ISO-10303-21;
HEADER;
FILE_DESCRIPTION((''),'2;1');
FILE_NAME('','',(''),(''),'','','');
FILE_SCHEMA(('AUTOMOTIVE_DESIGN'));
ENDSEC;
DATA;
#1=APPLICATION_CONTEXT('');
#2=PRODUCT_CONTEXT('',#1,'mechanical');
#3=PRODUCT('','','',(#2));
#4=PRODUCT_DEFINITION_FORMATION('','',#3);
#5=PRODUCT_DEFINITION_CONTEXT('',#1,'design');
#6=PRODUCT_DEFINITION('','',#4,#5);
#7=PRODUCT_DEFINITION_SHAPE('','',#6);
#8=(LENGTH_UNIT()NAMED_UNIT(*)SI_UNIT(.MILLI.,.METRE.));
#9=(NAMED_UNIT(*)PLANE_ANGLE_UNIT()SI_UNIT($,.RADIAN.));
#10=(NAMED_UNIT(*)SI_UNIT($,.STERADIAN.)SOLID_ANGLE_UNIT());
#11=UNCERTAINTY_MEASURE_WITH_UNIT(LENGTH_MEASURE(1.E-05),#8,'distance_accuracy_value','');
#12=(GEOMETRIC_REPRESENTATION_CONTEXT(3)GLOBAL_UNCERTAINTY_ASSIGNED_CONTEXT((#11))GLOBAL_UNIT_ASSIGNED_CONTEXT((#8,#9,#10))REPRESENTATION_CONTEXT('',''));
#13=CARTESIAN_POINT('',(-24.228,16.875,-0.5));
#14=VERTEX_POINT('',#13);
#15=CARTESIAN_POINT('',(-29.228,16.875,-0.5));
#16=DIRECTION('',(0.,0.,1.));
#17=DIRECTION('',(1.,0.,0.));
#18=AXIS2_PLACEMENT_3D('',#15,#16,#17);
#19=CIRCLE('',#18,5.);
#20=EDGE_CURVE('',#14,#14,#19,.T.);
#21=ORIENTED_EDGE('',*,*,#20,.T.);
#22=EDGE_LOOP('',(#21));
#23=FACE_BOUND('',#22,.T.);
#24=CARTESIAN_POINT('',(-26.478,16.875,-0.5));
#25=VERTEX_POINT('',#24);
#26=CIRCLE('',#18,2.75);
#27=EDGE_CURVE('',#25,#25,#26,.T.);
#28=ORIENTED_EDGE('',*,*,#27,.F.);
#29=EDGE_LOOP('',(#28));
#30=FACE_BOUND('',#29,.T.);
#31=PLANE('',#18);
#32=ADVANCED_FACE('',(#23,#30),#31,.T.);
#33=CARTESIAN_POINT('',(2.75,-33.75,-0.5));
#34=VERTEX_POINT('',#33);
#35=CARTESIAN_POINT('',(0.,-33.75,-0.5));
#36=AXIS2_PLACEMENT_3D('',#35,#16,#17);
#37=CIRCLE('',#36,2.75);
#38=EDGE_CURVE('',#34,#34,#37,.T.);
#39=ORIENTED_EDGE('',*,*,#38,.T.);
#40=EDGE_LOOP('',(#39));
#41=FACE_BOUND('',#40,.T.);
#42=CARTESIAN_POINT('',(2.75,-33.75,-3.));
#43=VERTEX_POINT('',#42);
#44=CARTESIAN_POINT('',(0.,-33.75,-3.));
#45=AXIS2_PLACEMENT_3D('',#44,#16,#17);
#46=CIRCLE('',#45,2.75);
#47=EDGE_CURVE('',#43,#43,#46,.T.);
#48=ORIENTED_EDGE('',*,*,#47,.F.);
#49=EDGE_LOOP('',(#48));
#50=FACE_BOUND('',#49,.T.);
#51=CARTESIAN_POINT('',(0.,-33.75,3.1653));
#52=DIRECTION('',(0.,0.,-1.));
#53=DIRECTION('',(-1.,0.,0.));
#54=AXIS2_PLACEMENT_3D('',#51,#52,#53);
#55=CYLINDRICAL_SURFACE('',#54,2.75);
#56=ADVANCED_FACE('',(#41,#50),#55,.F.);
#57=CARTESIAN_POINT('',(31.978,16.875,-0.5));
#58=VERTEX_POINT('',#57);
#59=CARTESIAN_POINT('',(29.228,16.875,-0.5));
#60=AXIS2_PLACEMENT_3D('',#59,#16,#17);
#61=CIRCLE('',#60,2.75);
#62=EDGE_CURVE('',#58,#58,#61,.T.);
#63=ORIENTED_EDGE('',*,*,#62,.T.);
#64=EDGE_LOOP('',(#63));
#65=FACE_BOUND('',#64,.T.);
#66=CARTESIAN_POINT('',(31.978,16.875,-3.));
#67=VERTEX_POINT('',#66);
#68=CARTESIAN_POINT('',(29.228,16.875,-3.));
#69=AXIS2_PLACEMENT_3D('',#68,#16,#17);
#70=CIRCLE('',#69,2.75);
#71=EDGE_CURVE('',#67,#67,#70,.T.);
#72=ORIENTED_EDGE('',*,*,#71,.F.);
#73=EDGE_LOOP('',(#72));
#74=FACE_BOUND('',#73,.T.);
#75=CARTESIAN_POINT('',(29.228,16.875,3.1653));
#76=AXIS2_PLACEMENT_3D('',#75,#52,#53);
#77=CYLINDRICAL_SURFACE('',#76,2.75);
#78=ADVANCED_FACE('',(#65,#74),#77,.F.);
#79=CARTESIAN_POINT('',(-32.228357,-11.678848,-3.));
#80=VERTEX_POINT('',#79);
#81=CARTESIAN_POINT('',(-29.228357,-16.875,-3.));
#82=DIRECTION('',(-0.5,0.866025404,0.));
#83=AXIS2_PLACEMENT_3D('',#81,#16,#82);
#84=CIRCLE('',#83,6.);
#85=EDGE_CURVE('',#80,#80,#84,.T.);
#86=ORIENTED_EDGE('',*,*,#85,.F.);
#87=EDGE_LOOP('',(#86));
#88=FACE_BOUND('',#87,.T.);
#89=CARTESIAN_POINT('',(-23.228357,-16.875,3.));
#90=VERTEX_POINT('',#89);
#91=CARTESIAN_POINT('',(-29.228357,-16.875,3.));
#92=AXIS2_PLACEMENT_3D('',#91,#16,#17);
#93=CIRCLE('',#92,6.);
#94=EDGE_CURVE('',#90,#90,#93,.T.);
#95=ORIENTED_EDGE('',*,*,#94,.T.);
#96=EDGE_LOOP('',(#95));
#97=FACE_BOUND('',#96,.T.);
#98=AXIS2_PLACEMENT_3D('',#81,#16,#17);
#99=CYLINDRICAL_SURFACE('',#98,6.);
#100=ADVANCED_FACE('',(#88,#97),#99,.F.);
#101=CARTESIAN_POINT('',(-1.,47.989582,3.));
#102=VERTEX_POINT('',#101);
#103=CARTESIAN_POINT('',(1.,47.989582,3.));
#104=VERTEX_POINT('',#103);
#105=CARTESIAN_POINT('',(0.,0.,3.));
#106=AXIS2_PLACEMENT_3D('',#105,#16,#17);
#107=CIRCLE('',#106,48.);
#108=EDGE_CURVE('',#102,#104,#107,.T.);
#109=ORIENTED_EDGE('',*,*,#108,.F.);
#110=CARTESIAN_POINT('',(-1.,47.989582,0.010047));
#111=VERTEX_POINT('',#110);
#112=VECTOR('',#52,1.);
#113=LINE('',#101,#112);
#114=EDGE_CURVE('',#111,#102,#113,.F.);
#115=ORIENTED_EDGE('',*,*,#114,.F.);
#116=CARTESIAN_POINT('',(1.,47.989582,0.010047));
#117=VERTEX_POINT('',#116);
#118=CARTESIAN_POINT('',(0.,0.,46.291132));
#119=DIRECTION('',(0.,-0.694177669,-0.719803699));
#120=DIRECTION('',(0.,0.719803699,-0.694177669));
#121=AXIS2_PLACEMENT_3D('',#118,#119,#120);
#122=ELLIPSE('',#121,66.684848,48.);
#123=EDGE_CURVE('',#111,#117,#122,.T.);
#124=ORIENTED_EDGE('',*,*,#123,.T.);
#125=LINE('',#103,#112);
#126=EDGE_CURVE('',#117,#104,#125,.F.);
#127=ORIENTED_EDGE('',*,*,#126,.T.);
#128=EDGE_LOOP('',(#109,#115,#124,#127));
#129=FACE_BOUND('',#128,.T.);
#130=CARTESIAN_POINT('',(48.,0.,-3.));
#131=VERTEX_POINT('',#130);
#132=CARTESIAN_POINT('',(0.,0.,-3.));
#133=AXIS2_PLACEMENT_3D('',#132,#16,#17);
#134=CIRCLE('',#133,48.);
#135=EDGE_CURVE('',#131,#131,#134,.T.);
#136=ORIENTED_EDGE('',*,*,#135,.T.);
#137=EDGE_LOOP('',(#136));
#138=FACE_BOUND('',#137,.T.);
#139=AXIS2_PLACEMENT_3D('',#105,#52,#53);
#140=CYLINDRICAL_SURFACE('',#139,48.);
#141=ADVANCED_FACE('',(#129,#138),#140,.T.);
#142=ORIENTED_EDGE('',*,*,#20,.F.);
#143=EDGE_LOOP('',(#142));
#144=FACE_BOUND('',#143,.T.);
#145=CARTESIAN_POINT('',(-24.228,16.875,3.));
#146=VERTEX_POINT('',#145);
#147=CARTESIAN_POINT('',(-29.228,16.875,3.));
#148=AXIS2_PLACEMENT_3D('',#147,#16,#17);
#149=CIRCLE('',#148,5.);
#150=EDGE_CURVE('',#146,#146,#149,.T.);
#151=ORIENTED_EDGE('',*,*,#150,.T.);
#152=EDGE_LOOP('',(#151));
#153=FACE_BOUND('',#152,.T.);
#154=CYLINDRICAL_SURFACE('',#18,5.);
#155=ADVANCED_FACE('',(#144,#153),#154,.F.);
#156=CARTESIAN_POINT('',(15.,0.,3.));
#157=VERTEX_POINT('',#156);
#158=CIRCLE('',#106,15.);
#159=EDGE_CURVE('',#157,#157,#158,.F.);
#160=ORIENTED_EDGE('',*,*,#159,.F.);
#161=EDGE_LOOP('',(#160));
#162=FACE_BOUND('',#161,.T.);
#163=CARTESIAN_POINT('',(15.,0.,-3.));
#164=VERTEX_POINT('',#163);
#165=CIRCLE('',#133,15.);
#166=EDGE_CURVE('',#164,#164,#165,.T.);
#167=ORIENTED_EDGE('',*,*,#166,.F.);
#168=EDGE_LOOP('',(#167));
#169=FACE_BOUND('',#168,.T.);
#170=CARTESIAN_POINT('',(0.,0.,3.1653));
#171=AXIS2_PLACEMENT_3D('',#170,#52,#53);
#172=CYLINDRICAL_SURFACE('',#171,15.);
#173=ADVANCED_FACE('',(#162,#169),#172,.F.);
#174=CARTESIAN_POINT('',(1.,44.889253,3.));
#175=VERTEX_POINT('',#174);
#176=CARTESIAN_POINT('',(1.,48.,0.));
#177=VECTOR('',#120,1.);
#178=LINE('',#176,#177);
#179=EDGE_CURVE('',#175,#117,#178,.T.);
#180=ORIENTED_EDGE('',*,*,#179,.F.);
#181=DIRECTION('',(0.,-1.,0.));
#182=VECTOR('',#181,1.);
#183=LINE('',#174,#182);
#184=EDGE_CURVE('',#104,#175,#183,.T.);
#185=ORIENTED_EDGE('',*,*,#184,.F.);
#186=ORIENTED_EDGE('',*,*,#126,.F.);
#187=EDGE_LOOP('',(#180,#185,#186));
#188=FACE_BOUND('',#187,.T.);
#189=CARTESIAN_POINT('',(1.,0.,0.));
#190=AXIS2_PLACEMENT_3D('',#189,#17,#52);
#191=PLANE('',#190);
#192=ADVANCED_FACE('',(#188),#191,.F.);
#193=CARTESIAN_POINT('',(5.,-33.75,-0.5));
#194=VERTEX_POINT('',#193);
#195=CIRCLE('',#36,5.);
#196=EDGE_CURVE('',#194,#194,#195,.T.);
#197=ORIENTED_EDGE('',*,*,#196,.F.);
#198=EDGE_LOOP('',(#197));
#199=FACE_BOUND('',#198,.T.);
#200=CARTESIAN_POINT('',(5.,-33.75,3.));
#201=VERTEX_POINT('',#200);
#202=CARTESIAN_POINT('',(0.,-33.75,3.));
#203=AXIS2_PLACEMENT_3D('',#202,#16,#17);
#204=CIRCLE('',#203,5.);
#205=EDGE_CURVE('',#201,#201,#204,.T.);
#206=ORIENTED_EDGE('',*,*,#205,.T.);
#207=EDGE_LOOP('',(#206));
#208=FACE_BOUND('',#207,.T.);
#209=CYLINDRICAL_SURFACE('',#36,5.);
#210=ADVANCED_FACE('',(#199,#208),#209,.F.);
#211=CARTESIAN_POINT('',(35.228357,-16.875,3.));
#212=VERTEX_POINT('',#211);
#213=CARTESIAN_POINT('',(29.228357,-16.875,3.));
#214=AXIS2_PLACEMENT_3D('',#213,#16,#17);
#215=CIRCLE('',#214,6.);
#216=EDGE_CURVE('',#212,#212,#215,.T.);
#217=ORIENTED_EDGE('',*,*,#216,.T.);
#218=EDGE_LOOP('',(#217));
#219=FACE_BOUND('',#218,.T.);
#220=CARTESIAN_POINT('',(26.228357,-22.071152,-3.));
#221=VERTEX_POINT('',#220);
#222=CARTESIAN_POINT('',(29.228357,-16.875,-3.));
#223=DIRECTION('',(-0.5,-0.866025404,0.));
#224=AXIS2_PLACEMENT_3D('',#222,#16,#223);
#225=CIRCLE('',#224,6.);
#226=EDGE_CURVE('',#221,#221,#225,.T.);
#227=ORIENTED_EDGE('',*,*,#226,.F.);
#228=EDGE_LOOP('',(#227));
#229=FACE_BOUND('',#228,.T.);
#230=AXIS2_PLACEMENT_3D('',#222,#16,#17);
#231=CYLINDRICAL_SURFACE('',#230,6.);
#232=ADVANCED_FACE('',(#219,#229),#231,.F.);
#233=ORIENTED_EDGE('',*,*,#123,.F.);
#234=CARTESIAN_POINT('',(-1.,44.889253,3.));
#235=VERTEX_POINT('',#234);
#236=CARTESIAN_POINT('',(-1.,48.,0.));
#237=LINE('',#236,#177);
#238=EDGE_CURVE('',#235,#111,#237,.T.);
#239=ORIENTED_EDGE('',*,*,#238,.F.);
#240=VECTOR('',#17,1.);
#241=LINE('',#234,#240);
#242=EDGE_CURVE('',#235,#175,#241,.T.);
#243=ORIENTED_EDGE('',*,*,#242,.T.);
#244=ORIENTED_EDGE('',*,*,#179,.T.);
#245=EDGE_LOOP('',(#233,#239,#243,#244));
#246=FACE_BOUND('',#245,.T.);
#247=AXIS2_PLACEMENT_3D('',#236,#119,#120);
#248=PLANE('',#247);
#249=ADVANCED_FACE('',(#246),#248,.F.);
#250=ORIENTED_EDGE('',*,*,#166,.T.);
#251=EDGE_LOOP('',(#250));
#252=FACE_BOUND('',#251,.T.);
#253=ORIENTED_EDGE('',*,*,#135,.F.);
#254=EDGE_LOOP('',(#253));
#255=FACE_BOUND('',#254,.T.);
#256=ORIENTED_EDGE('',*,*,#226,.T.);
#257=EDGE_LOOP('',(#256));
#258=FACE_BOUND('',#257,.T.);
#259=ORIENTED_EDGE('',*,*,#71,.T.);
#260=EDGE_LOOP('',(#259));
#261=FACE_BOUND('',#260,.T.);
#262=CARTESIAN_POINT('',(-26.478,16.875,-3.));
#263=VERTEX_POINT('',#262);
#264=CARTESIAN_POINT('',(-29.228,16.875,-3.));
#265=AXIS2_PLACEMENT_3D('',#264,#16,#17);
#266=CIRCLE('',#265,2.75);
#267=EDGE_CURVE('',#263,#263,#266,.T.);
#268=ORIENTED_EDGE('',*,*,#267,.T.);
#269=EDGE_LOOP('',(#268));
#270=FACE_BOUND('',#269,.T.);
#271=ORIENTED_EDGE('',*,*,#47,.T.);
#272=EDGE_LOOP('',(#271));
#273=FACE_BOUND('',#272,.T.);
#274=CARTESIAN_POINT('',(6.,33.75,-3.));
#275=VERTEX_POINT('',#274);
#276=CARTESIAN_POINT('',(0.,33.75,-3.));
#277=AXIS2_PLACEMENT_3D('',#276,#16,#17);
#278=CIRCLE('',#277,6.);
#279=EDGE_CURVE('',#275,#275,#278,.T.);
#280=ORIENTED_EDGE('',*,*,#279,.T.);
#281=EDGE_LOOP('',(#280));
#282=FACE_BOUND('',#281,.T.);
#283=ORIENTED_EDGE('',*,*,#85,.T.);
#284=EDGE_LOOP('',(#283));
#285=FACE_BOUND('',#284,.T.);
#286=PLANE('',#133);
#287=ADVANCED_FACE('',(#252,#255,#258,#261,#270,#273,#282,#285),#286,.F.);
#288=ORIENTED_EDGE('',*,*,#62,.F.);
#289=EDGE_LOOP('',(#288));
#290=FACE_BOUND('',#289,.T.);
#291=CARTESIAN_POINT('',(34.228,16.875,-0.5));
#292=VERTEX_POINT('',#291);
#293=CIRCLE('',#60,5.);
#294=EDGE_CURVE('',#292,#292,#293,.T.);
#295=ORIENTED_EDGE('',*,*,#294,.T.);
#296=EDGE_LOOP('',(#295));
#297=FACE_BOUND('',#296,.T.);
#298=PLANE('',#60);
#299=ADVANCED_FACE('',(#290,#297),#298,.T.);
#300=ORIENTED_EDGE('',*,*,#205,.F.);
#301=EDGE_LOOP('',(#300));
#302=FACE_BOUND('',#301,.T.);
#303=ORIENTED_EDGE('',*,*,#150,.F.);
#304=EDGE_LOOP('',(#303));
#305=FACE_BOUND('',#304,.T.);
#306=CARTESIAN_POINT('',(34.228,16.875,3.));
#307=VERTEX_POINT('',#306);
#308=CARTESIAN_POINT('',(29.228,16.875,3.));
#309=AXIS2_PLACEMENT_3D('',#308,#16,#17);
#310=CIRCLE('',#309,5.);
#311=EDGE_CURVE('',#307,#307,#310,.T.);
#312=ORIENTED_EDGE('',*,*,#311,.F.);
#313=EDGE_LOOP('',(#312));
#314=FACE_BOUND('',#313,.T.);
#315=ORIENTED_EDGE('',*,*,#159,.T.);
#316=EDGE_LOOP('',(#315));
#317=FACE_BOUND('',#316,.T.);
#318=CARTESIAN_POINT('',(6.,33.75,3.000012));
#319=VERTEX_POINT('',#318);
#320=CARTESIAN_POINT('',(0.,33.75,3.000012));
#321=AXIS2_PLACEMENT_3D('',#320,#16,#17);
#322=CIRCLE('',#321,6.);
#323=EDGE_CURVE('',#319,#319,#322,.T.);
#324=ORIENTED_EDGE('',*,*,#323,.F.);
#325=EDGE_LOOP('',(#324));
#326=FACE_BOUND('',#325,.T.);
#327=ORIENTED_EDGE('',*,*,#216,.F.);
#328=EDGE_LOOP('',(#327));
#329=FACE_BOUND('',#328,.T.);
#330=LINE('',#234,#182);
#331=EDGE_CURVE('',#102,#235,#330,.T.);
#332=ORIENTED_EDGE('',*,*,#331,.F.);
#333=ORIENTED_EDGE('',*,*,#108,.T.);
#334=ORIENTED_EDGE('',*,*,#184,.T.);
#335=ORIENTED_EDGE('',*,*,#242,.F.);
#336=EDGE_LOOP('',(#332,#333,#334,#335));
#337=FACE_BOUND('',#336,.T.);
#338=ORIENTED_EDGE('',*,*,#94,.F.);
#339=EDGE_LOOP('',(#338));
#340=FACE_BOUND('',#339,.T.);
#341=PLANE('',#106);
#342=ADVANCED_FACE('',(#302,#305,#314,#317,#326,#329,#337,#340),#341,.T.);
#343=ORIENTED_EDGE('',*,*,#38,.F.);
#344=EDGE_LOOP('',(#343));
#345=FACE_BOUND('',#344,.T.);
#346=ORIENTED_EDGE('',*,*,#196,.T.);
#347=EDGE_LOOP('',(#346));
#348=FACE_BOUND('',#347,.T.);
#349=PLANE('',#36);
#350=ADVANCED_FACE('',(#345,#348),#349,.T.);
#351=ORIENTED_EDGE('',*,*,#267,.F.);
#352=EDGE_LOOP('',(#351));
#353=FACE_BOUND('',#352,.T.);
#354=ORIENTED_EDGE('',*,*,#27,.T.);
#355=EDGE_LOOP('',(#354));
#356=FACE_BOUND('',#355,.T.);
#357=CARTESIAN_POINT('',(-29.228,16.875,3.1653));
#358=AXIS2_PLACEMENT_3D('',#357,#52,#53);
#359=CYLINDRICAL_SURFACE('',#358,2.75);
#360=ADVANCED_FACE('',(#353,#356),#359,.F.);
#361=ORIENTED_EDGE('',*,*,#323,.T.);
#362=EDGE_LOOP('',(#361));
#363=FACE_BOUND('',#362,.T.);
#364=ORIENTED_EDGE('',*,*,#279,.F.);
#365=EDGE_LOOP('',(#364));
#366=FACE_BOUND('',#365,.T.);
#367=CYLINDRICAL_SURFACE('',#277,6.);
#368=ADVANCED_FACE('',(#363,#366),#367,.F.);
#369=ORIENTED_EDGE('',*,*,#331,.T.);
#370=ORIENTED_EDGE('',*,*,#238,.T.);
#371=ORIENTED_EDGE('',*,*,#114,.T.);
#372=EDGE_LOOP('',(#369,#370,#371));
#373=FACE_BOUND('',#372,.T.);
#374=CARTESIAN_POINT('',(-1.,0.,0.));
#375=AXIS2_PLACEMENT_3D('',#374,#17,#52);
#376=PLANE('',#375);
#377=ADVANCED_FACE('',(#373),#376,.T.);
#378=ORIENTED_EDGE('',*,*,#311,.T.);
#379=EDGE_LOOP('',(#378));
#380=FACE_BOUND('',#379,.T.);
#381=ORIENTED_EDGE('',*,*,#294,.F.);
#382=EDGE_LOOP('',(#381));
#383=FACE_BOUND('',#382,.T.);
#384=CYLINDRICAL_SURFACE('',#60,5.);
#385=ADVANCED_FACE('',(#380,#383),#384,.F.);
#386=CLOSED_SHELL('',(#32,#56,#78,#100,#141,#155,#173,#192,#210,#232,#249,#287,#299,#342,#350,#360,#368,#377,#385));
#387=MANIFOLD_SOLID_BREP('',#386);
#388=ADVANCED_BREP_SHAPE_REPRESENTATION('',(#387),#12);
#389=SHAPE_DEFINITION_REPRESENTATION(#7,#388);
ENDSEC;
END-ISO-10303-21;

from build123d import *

# Parameters (mm, degrees)
SKETCH1_R                        = 48
SKETCH1_R_2                      = 8
EX_CARRIER_FRONT_PLATE_4MM_DEPTH = 3
SKETCH2_R                        = 6
CUT_PIN_HOLE_12_DEPTH            = 69.14690015
PAT_PIN_HOLES_3X120_COUNT        = 3
CUT_EXTRUDE1_DEPTH               = 1
SKETCH4_R                        = 15
SKETCH4_R_2                      = 2.75
CUT_EXTRUDE2_DEPTH               = 68.948509917
SKETCH5_R                        = 15
SKETCH5_R_2                      = 2.75
CUT_EXTRUDE3_DEPTH               = 68.948509917
SKETCH6_R                        = 2.75
CUT_EXTRUDE4_DEPTH               = 68.948509917
SKETCH7_R                        = 2.75
CUT_EXTRUDE5_DEPTH               = 68.948509917
SKETCH8_R                        = 5
CUT_EXTRUDE7_DEPTH               = 3.5


with BuildPart() as part:
    # Sketch1 → EX_Carrier_Front_Plate_4mm (new, symmetric)
    with BuildSketch(Plane.XY):
        Circle(SKETCH1_R)
        Circle(SKETCH1_R_2, mode=Mode.SUBTRACT)
    extrude(amount=EX_CARRIER_FRONT_PLATE_4MM_DEPTH, both=True)

    # Sketch2 → CUT_Pin_Hole_Ø12 (cut, symmetric)
    with BuildSketch(Plane.XY.offset(3)):
        with Locations((0, 33.75)):
            Circle(SKETCH2_R)
    cut_pin_hole_12 = extrude(amount=CUT_PIN_HOLE_12_DEPTH, both=True, mode=Mode.SUBTRACT)

    # PAT_Pin_Holes_3x120: CUT_Pin_Hole_Ø12 ×3 about axis
    pat_pin_holes_3x120_axis = Axis((0, 0, 3), (0, 0, 1))
    for i in range(1, PAT_PIN_HOLES_3X120_COUNT):
        add(cut_pin_hole_12.rotate(pat_pin_holes_3x120_axis, i * 360 / PAT_PIN_HOLES_3X120_COUNT), mode=Mode.SUBTRACT)

    # Sketch3 → Cut-Extrude1 (cut, symmetric)
    with BuildSketch(Plane(origin=(0, 0, 0), x_dir=(0, 0, -1), z_dir=(1, 0, 0))):
        Polygon((0, 48), (-3, 44.889253006), (-3, 48), align=None)
    extrude(amount=CUT_EXTRUDE1_DEPTH, both=True, mode=Mode.SUBTRACT)

    # Sketch4 → Cut-Extrude2 (cut, through all)
    with BuildSketch(Plane.XY):
        Circle(SKETCH4_R)
        with Locations((0, -33.75)):
            Circle(SKETCH4_R_2)
    extrude(amount=CUT_EXTRUDE2_DEPTH, mode=Mode.SUBTRACT)

    # Sketch5 → Cut-Extrude3 (cut, through all)
    with BuildSketch(Plane.XY):
        Circle(SKETCH5_R)
        with Locations((0, -33.75)):
            Circle(SKETCH5_R_2)
    extrude(amount=-CUT_EXTRUDE3_DEPTH, mode=Mode.SUBTRACT)

    # Sketch6 → Cut-Extrude4 (cut, through all)
    with BuildSketch(Plane.XY):
        with Locations((29.228, 16.875)):
            Circle(SKETCH6_R)
        with Locations((-29.228, 16.875)):
            Circle(SKETCH6_R)
    extrude(amount=CUT_EXTRUDE4_DEPTH, mode=Mode.SUBTRACT)

    # Sketch7 → Cut-Extrude5 (cut, through all)
    with BuildSketch(Plane.XY):
        with Locations((29.228, 16.875)):
            Circle(SKETCH7_R)
        with Locations((-29.228, 16.875)):
            Circle(SKETCH7_R)
    extrude(amount=-CUT_EXTRUDE5_DEPTH, mode=Mode.SUBTRACT)

    # Sketch8 → Cut-Extrude7 (cut)
    with BuildSketch(Plane.XY.offset(3)):
        with Locations((0, -33.75)):
            Circle(SKETCH8_R)
        with Locations((29.228, 16.875)):
            Circle(SKETCH8_R)
        with Locations((-29.228, 16.875)):
            Circle(SKETCH8_R)
    extrude(amount=-CUT_EXTRUDE7_DEPTH, mode=Mode.SUBTRACT)


solid = part.part
